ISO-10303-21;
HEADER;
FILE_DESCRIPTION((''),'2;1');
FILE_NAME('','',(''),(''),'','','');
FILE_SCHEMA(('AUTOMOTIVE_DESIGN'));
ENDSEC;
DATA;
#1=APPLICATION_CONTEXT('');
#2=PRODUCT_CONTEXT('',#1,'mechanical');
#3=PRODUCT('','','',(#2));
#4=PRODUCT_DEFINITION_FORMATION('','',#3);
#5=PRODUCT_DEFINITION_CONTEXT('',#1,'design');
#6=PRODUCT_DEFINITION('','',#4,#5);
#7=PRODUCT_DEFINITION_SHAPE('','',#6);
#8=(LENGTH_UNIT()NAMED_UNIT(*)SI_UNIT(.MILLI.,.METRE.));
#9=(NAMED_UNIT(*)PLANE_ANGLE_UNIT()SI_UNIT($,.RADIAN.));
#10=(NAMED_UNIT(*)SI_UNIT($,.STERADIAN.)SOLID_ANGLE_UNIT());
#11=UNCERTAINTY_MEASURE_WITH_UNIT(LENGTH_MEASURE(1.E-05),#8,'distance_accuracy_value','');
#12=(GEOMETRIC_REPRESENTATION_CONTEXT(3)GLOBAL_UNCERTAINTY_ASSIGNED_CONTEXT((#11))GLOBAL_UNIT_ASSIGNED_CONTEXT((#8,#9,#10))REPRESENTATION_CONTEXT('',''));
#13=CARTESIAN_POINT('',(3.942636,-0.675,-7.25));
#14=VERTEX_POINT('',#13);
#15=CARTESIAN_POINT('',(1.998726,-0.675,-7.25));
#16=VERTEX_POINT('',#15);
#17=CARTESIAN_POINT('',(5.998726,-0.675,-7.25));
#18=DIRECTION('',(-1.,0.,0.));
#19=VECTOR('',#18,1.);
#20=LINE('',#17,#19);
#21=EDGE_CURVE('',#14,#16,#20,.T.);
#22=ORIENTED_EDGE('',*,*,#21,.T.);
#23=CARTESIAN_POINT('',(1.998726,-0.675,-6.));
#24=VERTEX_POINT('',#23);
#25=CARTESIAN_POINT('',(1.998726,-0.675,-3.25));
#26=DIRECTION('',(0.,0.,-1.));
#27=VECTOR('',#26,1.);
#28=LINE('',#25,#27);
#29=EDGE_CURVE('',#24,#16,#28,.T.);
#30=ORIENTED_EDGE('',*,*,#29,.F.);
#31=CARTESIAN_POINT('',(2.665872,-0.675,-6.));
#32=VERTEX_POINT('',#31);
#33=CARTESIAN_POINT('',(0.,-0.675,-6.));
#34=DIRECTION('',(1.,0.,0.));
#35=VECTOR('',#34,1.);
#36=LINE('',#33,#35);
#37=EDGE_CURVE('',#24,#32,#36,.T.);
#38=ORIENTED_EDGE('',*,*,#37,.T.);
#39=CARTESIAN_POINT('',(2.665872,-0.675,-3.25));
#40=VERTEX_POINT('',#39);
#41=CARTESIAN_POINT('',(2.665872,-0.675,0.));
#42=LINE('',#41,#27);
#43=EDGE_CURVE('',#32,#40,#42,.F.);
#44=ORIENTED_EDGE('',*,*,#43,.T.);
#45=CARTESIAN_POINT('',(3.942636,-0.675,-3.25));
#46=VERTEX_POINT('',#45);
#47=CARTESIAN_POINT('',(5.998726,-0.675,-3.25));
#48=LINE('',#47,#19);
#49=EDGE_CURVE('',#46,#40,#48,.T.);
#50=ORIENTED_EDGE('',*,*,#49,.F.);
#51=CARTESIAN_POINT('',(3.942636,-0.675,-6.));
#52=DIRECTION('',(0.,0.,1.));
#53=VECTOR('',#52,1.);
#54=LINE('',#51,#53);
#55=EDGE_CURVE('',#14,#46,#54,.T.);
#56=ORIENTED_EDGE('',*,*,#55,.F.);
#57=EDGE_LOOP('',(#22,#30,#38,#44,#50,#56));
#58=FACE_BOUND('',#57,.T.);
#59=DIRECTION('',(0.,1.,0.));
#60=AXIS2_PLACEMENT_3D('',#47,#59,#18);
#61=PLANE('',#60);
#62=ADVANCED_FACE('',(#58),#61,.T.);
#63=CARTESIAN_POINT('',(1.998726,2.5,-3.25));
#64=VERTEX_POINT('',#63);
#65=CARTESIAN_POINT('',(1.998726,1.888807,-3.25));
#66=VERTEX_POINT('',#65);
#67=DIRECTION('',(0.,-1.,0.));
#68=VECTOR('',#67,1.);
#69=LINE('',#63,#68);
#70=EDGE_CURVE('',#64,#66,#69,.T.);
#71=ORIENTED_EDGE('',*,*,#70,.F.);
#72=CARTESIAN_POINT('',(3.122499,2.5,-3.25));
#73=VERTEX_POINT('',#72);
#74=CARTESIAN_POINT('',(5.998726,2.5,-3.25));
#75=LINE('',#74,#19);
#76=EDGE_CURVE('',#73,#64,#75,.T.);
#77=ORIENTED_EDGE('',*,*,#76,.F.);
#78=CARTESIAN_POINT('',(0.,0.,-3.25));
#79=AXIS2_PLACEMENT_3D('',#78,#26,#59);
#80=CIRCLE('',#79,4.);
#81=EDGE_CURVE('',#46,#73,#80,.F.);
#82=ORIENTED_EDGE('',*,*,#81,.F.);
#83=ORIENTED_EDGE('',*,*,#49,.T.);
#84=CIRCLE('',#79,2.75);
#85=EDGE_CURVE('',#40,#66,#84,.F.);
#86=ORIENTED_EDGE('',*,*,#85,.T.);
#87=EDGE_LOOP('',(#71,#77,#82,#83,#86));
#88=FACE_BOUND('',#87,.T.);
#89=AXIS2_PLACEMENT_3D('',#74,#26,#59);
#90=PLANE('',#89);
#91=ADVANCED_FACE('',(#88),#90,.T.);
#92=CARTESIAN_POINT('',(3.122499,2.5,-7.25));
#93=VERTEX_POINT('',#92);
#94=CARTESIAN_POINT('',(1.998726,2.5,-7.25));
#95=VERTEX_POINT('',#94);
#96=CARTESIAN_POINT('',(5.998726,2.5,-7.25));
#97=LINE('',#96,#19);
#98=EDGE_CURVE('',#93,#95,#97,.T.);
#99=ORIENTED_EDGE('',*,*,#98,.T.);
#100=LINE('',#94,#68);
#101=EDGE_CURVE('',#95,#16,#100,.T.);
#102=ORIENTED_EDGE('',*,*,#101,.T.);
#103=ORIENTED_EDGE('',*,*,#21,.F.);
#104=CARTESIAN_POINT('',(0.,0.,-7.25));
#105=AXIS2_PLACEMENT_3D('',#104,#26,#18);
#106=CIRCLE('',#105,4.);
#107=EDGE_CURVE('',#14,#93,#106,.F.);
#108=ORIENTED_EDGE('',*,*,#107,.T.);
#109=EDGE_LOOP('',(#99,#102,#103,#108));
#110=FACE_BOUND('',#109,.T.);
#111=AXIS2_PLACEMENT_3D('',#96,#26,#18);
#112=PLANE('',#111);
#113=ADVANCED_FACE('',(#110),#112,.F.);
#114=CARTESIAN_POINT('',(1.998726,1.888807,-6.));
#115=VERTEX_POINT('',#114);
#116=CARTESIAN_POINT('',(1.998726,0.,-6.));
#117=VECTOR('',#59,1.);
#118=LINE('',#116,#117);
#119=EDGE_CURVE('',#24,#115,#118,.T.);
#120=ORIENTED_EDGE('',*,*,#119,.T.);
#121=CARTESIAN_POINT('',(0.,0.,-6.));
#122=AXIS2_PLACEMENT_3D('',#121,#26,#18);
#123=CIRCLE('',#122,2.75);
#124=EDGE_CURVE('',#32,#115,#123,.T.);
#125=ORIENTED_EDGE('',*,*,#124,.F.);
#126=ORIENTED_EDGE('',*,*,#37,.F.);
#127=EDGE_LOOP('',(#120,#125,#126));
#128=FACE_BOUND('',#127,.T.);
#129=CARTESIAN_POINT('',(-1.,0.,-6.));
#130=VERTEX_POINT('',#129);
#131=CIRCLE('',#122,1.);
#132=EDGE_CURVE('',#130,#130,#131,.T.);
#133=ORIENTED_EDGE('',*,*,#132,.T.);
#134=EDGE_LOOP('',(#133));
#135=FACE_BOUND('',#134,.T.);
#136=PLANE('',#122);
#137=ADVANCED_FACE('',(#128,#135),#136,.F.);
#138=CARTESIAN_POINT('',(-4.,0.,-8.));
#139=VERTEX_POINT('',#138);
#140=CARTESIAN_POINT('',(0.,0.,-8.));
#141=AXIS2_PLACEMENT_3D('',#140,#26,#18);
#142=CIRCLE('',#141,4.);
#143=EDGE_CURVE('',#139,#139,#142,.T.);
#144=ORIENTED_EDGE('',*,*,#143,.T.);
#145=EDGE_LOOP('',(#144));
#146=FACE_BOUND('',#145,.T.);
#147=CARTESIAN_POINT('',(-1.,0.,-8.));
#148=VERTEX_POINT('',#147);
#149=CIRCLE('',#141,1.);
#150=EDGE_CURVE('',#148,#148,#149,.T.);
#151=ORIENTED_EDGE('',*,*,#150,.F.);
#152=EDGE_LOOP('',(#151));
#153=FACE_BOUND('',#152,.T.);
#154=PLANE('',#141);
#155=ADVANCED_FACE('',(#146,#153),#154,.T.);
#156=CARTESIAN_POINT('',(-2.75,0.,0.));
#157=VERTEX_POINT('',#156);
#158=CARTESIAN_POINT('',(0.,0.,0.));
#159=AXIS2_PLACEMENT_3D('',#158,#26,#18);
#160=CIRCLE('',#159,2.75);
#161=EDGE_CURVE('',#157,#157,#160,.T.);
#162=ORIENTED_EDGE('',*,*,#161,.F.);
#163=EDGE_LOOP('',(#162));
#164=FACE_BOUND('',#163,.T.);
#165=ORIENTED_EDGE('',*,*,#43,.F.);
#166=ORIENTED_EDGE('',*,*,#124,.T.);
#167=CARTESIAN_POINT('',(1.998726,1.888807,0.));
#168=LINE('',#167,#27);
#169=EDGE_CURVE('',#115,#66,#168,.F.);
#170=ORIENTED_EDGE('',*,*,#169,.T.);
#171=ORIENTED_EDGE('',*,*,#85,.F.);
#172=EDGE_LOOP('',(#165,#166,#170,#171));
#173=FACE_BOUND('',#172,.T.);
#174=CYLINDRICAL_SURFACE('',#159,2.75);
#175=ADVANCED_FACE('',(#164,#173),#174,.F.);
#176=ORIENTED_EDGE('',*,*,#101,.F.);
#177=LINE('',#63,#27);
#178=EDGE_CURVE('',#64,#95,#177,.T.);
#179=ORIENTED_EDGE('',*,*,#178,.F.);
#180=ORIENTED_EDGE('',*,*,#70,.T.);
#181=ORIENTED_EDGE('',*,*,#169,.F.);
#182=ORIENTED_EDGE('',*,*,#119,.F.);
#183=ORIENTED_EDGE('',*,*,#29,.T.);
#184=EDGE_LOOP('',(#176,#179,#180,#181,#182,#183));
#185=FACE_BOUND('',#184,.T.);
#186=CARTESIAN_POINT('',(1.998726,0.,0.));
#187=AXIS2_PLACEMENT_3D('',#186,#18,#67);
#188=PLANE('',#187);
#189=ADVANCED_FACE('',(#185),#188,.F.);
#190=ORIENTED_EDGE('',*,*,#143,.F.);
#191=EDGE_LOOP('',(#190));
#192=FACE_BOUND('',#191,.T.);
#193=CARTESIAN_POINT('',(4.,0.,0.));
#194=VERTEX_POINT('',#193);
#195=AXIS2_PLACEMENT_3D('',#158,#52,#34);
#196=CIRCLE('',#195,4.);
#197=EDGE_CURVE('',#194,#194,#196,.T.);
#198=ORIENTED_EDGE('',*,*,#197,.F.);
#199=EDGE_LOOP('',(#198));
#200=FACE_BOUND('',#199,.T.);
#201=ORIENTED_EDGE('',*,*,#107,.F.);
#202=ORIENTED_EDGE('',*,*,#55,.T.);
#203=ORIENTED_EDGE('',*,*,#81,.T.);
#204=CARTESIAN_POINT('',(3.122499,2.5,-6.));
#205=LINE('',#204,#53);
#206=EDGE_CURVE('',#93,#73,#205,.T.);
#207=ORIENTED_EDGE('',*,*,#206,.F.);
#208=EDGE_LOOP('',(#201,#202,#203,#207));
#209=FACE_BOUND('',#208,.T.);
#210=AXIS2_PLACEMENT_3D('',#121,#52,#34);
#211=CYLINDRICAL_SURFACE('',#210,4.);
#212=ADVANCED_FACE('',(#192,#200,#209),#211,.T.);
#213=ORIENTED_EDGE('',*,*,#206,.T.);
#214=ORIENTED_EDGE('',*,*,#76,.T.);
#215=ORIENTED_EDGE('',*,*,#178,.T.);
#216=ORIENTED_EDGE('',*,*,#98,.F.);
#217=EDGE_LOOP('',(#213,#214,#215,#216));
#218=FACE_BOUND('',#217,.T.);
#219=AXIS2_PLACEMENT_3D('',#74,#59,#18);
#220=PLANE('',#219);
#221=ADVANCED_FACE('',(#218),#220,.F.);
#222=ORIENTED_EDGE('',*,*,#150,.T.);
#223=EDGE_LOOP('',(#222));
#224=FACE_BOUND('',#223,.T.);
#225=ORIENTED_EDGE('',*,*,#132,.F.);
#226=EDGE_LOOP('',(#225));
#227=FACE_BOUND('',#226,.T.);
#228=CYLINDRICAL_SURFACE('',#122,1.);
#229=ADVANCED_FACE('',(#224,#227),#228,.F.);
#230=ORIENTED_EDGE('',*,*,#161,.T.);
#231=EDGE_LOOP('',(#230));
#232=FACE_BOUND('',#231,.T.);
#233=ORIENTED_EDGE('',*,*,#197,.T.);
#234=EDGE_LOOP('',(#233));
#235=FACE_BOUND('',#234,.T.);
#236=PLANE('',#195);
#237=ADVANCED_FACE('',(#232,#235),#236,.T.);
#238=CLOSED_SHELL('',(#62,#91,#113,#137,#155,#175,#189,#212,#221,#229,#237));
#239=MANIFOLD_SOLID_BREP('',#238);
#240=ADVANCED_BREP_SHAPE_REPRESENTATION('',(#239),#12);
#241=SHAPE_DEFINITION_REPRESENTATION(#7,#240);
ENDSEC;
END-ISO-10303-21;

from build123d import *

# Parameters (mm, degrees)
SKETCH1_R               = 4
BOSS_EXTRUDE1_DEPTH     = 6
SKETCH2_R               = 2.75
CUT_EXTRUDE1_DEPTH      = 6
SKETCH3_R               = 4
BOSS_EXTRUDE2_DEPTH     = 2
SKETCH4_R               = 1
CUT_EXTRUDE2_DEPTH      = 2
CUT_EXTRUDE8_DEPTH      = 2
CUT_EXTRUDE8_DEPTH_BACK = 2
SKETCH9_W               = 4
SKETCH9_H               = 3.175


with BuildPart() as part:
    # Sketch1 → Boss-Extrude1 (new body)
    with BuildSketch(Plane.XY):
        Circle(SKETCH1_R)
    extrude(amount=-BOSS_EXTRUDE1_DEPTH)

    # Sketch2 → Cut-Extrude1 (cut)
    with BuildSketch(Plane(origin=(0, 0, -6), x_dir=(-1, 0, 0), z_dir=(0, 0, -1))):
        Circle(SKETCH2_R)
    extrude(amount=-CUT_EXTRUDE1_DEPTH, mode=Mode.SUBTRACT)

    # Sketch3 → Boss-Extrude2 (add)
    with BuildSketch(Plane(origin=(0, 0, -6), x_dir=(-1, 0, 0), z_dir=(0, 0, -1))):
        Circle(SKETCH3_R)
    extrude(amount=BOSS_EXTRUDE2_DEPTH)

    # Sketch4 → Cut-Extrude2 (cut)
    with BuildSketch(Plane(origin=(0, 0, -8), x_dir=(-1, 0, 0), z_dir=(0, 0, -1))):
        Circle(SKETCH4_R)
    extrude(amount=-CUT_EXTRUDE2_DEPTH, mode=Mode.SUBTRACT)

    # Sketch9 → Cut-Extrude8 (cut, two sides: drawn at the far end of the back side and taken through both)
    with BuildSketch(Plane(origin=(3.998726485, 0, 0), x_dir=(0, 0, -1), z_dir=(1, 0, 0)).offset(-CUT_EXTRUDE8_DEPTH_BACK)):
        with Locations((5.25, 0.9125)):
            Rectangle(SKETCH9_W, SKETCH9_H)
    extrude(amount=CUT_EXTRUDE8_DEPTH + CUT_EXTRUDE8_DEPTH_BACK, mode=Mode.SUBTRACT)


solid = part.part
